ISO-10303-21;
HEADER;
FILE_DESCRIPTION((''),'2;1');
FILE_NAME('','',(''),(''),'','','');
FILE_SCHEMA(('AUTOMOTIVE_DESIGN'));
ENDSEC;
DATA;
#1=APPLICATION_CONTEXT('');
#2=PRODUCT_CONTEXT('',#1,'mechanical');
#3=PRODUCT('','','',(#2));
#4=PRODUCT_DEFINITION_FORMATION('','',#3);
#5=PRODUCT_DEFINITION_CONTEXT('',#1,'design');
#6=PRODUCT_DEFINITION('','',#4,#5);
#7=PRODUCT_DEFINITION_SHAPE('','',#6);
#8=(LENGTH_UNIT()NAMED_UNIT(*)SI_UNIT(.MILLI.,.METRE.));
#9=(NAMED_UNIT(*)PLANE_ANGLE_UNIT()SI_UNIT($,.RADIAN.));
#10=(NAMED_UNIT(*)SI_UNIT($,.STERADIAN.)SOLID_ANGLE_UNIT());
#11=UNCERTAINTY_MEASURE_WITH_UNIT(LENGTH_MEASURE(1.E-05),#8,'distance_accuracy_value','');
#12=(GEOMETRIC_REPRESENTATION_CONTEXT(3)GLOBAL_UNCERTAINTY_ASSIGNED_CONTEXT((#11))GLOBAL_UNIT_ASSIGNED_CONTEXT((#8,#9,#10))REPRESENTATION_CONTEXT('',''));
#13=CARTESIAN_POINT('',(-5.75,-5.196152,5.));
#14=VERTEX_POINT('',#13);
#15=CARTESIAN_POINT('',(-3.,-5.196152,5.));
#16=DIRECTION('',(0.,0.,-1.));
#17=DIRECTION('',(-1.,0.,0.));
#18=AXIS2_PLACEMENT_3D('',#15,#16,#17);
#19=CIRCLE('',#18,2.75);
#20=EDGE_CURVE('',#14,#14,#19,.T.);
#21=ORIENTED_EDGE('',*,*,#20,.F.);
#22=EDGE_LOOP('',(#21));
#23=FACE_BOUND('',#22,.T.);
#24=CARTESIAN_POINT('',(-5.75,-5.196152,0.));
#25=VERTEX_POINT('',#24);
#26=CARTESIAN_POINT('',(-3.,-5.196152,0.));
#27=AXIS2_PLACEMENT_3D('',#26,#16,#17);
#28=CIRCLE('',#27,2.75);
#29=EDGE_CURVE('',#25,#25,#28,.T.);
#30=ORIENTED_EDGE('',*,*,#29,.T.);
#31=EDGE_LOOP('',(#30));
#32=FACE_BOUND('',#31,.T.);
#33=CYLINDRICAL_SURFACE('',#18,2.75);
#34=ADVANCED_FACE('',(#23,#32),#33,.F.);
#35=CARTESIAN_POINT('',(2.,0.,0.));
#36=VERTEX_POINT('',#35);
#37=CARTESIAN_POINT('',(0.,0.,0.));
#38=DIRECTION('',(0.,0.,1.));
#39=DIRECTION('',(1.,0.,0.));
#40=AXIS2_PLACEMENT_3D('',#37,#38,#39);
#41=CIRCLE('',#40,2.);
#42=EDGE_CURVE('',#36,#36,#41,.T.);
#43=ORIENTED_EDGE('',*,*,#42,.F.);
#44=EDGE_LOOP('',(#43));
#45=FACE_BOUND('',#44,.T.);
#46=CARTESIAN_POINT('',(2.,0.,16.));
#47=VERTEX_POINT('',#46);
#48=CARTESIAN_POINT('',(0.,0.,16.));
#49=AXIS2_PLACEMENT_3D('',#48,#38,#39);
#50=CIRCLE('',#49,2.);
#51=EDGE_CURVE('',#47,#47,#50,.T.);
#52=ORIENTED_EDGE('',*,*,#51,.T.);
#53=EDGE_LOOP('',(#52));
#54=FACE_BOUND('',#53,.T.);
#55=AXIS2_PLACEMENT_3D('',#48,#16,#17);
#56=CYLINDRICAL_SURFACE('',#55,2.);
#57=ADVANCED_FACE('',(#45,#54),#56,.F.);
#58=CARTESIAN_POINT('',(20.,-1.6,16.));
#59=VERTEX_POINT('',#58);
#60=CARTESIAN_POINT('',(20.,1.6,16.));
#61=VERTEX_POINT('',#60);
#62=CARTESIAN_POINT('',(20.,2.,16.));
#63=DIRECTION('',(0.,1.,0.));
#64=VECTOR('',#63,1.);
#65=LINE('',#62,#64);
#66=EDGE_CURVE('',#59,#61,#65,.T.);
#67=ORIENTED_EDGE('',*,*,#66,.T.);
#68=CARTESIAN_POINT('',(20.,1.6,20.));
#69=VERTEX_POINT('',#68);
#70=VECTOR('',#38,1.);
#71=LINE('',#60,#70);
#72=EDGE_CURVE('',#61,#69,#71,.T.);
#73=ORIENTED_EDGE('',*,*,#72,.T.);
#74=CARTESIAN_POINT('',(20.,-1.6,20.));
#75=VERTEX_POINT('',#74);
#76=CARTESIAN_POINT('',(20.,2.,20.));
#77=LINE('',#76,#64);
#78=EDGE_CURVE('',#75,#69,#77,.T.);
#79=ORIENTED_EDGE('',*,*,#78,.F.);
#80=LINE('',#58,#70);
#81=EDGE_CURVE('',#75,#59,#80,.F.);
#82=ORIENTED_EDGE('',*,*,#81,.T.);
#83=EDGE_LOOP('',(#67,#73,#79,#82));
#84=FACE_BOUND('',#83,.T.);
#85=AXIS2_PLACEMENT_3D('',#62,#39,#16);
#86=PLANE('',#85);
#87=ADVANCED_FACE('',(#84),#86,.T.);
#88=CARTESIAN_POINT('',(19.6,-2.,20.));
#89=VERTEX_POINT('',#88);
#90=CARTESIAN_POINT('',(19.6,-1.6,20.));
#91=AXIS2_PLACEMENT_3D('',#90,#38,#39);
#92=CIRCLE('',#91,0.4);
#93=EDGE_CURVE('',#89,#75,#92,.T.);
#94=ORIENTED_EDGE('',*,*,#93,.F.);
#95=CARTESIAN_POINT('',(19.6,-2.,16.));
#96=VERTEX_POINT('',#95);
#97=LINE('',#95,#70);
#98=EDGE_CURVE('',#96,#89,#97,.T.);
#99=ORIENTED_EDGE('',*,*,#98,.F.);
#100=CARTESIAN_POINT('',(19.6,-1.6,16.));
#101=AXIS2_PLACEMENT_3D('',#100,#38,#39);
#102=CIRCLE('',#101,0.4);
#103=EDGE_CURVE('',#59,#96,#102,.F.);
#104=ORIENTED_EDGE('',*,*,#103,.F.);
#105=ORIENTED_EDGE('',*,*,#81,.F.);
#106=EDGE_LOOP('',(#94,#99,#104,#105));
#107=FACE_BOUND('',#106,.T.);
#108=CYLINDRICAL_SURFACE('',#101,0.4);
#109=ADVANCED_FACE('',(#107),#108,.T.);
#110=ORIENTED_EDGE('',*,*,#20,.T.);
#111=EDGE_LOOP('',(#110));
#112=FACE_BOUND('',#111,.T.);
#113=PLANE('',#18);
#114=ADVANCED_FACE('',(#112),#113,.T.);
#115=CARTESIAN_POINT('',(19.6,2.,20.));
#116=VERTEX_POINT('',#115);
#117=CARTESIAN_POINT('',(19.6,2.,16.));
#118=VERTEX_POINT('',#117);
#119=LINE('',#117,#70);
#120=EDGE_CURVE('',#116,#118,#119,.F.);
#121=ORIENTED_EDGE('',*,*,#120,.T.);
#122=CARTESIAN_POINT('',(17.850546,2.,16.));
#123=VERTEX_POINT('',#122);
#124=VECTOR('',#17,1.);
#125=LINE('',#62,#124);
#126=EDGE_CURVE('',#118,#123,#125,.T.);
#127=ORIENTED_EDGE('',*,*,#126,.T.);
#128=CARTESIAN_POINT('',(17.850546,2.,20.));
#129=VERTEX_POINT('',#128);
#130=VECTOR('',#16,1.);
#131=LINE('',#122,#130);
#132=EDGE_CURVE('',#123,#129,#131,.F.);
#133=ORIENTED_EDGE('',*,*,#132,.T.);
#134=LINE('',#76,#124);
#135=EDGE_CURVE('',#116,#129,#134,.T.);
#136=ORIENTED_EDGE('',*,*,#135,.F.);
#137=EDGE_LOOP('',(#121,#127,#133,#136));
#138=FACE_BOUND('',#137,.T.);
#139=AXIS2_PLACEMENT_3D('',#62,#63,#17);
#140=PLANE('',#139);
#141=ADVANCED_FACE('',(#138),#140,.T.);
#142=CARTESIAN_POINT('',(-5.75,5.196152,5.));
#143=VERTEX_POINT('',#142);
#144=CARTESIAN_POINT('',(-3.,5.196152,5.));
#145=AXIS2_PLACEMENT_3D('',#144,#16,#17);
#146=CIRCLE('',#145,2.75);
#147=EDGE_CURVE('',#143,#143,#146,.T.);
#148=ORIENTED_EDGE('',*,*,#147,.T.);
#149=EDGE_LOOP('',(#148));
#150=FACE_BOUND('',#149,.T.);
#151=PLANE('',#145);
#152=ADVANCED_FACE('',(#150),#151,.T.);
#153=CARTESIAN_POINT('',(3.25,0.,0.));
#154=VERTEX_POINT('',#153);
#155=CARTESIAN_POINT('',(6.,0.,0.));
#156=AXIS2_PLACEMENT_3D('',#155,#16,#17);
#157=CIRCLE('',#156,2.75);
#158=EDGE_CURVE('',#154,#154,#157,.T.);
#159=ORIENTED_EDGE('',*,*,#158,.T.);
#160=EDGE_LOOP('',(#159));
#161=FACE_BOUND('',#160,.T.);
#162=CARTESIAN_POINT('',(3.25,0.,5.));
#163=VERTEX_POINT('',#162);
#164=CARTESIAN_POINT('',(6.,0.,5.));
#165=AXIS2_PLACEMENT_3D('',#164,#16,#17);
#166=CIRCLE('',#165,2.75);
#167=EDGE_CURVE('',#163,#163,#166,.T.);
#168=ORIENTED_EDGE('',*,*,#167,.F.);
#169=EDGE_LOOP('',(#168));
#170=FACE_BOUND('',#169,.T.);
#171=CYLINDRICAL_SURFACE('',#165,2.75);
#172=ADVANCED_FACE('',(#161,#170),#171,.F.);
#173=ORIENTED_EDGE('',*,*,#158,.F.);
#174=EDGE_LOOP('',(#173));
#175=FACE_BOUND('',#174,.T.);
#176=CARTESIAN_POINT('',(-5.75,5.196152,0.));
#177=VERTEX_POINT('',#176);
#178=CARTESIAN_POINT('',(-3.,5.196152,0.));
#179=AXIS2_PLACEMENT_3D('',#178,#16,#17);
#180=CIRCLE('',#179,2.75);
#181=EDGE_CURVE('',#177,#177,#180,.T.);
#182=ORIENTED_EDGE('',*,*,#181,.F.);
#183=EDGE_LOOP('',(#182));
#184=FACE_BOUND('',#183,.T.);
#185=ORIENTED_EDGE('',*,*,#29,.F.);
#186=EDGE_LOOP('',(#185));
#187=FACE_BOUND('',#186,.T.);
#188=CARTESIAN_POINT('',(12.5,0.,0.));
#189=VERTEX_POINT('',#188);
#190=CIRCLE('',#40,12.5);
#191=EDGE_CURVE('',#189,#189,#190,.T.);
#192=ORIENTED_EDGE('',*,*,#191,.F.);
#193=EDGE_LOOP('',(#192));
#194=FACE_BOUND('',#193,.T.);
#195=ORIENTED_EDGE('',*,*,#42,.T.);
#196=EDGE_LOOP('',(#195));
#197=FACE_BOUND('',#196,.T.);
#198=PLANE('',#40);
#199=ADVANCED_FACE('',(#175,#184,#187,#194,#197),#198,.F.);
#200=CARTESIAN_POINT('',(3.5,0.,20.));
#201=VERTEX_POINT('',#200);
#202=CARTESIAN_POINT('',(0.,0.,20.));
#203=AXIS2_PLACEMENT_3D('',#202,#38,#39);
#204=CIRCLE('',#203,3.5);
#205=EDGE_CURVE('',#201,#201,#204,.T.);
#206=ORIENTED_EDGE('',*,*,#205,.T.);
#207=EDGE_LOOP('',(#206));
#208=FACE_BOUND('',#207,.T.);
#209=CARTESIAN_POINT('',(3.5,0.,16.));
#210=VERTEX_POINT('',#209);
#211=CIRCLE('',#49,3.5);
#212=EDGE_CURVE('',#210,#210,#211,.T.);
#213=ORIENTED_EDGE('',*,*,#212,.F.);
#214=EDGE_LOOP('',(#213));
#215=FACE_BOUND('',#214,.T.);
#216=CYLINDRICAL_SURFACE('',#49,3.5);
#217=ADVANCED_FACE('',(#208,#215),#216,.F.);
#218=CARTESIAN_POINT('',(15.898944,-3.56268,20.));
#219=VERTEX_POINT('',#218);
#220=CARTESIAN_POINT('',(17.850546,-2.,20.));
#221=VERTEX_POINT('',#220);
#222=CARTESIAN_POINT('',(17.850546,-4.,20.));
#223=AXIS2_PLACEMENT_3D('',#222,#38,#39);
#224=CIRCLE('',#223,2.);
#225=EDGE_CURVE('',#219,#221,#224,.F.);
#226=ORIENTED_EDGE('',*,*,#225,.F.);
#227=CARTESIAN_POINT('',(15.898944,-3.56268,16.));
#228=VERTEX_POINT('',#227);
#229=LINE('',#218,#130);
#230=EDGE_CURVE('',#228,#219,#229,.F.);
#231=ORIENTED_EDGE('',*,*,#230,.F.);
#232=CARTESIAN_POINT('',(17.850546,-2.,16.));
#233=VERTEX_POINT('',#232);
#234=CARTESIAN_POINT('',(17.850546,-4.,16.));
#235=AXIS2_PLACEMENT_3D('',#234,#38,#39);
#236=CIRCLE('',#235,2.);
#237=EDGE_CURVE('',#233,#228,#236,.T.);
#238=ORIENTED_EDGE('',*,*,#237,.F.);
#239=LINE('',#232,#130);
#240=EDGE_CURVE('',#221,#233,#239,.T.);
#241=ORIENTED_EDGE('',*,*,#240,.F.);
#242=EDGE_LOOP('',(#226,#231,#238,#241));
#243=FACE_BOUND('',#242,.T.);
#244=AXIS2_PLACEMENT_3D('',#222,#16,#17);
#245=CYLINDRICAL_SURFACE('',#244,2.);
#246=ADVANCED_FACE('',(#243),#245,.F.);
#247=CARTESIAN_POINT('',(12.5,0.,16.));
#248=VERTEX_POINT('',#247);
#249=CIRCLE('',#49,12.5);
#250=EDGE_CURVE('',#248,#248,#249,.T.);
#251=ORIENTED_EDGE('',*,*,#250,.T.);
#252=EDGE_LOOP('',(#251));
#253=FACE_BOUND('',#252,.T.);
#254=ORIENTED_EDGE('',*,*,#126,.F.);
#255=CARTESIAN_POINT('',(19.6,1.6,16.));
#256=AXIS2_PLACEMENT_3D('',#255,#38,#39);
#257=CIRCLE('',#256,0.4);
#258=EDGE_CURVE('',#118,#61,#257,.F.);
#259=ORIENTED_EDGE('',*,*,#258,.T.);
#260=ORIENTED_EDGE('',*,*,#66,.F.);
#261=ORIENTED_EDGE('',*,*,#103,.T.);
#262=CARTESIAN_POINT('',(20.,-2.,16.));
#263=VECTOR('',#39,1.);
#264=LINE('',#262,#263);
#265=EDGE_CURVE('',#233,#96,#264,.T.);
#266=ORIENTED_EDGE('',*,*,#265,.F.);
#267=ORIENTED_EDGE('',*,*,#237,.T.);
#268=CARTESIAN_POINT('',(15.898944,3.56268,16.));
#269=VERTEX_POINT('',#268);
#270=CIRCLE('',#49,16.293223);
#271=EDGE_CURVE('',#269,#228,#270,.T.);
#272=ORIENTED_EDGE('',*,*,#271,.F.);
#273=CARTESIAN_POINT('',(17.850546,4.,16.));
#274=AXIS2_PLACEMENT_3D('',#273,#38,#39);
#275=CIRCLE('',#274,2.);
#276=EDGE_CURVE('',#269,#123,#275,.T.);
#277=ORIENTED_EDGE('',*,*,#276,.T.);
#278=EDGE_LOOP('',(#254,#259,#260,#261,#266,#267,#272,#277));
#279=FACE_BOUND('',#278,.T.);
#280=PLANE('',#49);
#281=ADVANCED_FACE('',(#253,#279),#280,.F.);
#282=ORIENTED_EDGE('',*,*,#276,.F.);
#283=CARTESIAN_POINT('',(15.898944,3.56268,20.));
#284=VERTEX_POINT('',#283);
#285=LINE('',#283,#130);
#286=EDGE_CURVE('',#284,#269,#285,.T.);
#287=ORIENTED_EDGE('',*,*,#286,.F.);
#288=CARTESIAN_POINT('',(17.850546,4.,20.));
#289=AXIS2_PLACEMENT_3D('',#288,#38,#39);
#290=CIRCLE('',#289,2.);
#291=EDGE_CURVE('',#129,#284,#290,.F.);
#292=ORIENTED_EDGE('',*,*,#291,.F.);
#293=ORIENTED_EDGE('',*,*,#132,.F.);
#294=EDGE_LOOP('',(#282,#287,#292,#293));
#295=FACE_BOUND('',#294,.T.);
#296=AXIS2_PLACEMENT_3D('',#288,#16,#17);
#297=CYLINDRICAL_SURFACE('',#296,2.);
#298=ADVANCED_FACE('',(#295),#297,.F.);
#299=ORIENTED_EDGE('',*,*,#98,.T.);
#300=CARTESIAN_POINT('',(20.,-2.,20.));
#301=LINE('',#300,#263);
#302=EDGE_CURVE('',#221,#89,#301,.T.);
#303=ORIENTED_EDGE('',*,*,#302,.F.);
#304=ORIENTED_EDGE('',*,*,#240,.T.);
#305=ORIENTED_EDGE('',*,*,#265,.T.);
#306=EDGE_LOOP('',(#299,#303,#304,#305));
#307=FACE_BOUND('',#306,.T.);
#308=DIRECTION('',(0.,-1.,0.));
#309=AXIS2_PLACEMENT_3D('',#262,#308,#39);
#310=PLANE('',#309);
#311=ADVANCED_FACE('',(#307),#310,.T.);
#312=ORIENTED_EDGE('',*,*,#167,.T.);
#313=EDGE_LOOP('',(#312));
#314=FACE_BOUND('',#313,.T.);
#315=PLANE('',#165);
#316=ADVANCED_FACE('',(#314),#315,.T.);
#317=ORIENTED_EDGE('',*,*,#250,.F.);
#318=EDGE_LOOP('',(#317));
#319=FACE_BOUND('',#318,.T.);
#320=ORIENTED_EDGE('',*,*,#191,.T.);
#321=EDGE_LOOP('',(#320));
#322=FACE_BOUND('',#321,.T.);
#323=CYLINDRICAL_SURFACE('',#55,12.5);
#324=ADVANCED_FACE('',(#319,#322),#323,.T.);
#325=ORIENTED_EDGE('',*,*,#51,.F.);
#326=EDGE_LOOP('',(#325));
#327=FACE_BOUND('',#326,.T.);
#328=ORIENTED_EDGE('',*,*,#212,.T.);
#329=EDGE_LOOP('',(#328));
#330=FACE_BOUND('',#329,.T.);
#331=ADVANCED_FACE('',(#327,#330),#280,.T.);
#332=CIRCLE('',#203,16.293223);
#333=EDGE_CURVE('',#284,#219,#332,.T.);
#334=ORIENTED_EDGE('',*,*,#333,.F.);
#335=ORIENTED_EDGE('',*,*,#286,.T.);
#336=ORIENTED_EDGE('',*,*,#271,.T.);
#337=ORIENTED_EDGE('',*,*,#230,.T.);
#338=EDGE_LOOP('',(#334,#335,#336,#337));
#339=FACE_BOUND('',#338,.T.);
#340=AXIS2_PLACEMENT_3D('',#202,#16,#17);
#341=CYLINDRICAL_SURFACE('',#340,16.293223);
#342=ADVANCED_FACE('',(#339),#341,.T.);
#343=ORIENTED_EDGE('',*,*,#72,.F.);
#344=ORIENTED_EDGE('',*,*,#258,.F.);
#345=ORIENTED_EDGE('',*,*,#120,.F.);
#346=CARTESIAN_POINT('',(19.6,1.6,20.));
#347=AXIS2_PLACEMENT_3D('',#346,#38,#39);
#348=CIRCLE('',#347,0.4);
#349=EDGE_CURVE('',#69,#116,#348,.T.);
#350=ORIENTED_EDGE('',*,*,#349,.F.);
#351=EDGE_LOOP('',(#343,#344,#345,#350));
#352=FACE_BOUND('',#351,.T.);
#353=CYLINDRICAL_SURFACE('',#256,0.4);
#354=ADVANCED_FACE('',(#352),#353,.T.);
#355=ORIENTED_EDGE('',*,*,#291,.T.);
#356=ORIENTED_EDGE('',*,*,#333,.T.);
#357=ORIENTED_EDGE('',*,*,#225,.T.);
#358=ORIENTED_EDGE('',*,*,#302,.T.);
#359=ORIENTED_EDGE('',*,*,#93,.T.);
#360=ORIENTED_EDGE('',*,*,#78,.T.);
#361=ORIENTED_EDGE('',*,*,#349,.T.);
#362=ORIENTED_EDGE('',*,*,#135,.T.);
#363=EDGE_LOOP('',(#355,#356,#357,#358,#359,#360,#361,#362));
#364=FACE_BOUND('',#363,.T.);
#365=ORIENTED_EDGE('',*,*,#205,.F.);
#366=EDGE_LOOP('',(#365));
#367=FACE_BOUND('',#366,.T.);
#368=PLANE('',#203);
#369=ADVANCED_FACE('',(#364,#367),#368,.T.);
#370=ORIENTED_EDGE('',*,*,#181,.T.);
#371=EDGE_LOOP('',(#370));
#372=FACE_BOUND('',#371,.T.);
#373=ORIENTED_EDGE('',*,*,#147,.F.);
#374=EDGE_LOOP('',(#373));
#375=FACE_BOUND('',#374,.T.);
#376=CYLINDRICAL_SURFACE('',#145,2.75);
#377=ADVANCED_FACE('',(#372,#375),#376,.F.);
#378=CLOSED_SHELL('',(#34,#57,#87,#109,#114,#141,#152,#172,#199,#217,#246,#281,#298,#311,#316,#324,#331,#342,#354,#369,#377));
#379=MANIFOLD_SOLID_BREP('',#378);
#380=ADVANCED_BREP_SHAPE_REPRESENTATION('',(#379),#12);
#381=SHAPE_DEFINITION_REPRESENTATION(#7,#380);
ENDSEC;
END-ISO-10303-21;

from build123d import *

# Parameters (mm, degrees)
ESQUISSE1_R             = 12.5
ESQUISSE1_R_2           = 2
BOSS_EXTRU_1_DEPTH      = 16
ESQUISSE2_R             = 16.293222759
ESQUISSE2_R_2           = 2
BOSS_EXTRU_2_DEPTH      = 4
ESQUISSE3_R             = 3.5
ENL_V_MAT_EXTRU_1_DEPTH = 4
ESQUISSE4_W             = 7.413554481
ESQUISSE4_H             = 4
BOSS_EXTRU_3_DEPTH      = 4
CONG_1_R                = 2
CONG_2_R                = 0.4
ESQUISSE5_R             = 2.75
ENL_V_MAT_EXTRU_2_DEPTH = 5


with BuildPart() as part:
    # Esquisse1 → Boss.-Extru.1 (new body)
    with BuildSketch(Plane.XY):
        Circle(ESQUISSE1_R)
        Circle(ESQUISSE1_R_2, mode=Mode.SUBTRACT)
    extrude(amount=BOSS_EXTRU_1_DEPTH)

    # Esquisse2 → Boss.-Extru.2 (add)
    with BuildSketch(Plane.XY.offset(16)):
        Circle(ESQUISSE2_R)
        Circle(ESQUISSE2_R_2, mode=Mode.SUBTRACT)
    extrude(amount=BOSS_EXTRU_2_DEPTH)

    # Esquisse3 → Enlèv. mat.-Extru.1 (cut)
    with BuildSketch(Plane.XY.offset(20)):
        Circle(ESQUISSE3_R)
    extrude(amount=-ENL_V_MAT_EXTRU_1_DEPTH, mode=Mode.SUBTRACT)

    # Esquisse4 → Boss.-Extru.3 (add)
    with BuildSketch(Plane.XY.offset(20)):
        with Locations((16.29322276, 0)):
            Rectangle(ESQUISSE4_W, ESQUISSE4_H)
    extrude(amount=-BOSS_EXTRU_3_DEPTH)

    # Congé1
    cong_1_edges = [part.edges().sort_by_distance(p)[0] for p in [
        (16.170006428, -2, 18),
        (16.170006428, 2, 18),
    ]]
    fillet(cong_1_edges, radius=CONG_1_R)

    # Congé2
    cong_2_edges = [part.edges().sort_by_distance(p)[0] for p in [
        (20, -2, 18),
        (20, 2, 18),
    ]]
    fillet(cong_2_edges, radius=CONG_2_R)

    # Esquisse5 → Enlèv. mat.-Extru.2 (cut)
    with BuildSketch(Plane(origin=(0, 0, 0), x_dir=(-1, 0, 0), z_dir=(0, 0, -1))):
        with Locations((-6, 0)):
            Circle(ESQUISSE5_R)
        with Locations((3, 5.196152423)):
            Circle(ESQUISSE5_R)
        with Locations((3, -5.196152423)):
            Circle(ESQUISSE5_R)
    extrude(amount=-ENL_V_MAT_EXTRU_2_DEPTH, mode=Mode.SUBTRACT)


solid = part.part
